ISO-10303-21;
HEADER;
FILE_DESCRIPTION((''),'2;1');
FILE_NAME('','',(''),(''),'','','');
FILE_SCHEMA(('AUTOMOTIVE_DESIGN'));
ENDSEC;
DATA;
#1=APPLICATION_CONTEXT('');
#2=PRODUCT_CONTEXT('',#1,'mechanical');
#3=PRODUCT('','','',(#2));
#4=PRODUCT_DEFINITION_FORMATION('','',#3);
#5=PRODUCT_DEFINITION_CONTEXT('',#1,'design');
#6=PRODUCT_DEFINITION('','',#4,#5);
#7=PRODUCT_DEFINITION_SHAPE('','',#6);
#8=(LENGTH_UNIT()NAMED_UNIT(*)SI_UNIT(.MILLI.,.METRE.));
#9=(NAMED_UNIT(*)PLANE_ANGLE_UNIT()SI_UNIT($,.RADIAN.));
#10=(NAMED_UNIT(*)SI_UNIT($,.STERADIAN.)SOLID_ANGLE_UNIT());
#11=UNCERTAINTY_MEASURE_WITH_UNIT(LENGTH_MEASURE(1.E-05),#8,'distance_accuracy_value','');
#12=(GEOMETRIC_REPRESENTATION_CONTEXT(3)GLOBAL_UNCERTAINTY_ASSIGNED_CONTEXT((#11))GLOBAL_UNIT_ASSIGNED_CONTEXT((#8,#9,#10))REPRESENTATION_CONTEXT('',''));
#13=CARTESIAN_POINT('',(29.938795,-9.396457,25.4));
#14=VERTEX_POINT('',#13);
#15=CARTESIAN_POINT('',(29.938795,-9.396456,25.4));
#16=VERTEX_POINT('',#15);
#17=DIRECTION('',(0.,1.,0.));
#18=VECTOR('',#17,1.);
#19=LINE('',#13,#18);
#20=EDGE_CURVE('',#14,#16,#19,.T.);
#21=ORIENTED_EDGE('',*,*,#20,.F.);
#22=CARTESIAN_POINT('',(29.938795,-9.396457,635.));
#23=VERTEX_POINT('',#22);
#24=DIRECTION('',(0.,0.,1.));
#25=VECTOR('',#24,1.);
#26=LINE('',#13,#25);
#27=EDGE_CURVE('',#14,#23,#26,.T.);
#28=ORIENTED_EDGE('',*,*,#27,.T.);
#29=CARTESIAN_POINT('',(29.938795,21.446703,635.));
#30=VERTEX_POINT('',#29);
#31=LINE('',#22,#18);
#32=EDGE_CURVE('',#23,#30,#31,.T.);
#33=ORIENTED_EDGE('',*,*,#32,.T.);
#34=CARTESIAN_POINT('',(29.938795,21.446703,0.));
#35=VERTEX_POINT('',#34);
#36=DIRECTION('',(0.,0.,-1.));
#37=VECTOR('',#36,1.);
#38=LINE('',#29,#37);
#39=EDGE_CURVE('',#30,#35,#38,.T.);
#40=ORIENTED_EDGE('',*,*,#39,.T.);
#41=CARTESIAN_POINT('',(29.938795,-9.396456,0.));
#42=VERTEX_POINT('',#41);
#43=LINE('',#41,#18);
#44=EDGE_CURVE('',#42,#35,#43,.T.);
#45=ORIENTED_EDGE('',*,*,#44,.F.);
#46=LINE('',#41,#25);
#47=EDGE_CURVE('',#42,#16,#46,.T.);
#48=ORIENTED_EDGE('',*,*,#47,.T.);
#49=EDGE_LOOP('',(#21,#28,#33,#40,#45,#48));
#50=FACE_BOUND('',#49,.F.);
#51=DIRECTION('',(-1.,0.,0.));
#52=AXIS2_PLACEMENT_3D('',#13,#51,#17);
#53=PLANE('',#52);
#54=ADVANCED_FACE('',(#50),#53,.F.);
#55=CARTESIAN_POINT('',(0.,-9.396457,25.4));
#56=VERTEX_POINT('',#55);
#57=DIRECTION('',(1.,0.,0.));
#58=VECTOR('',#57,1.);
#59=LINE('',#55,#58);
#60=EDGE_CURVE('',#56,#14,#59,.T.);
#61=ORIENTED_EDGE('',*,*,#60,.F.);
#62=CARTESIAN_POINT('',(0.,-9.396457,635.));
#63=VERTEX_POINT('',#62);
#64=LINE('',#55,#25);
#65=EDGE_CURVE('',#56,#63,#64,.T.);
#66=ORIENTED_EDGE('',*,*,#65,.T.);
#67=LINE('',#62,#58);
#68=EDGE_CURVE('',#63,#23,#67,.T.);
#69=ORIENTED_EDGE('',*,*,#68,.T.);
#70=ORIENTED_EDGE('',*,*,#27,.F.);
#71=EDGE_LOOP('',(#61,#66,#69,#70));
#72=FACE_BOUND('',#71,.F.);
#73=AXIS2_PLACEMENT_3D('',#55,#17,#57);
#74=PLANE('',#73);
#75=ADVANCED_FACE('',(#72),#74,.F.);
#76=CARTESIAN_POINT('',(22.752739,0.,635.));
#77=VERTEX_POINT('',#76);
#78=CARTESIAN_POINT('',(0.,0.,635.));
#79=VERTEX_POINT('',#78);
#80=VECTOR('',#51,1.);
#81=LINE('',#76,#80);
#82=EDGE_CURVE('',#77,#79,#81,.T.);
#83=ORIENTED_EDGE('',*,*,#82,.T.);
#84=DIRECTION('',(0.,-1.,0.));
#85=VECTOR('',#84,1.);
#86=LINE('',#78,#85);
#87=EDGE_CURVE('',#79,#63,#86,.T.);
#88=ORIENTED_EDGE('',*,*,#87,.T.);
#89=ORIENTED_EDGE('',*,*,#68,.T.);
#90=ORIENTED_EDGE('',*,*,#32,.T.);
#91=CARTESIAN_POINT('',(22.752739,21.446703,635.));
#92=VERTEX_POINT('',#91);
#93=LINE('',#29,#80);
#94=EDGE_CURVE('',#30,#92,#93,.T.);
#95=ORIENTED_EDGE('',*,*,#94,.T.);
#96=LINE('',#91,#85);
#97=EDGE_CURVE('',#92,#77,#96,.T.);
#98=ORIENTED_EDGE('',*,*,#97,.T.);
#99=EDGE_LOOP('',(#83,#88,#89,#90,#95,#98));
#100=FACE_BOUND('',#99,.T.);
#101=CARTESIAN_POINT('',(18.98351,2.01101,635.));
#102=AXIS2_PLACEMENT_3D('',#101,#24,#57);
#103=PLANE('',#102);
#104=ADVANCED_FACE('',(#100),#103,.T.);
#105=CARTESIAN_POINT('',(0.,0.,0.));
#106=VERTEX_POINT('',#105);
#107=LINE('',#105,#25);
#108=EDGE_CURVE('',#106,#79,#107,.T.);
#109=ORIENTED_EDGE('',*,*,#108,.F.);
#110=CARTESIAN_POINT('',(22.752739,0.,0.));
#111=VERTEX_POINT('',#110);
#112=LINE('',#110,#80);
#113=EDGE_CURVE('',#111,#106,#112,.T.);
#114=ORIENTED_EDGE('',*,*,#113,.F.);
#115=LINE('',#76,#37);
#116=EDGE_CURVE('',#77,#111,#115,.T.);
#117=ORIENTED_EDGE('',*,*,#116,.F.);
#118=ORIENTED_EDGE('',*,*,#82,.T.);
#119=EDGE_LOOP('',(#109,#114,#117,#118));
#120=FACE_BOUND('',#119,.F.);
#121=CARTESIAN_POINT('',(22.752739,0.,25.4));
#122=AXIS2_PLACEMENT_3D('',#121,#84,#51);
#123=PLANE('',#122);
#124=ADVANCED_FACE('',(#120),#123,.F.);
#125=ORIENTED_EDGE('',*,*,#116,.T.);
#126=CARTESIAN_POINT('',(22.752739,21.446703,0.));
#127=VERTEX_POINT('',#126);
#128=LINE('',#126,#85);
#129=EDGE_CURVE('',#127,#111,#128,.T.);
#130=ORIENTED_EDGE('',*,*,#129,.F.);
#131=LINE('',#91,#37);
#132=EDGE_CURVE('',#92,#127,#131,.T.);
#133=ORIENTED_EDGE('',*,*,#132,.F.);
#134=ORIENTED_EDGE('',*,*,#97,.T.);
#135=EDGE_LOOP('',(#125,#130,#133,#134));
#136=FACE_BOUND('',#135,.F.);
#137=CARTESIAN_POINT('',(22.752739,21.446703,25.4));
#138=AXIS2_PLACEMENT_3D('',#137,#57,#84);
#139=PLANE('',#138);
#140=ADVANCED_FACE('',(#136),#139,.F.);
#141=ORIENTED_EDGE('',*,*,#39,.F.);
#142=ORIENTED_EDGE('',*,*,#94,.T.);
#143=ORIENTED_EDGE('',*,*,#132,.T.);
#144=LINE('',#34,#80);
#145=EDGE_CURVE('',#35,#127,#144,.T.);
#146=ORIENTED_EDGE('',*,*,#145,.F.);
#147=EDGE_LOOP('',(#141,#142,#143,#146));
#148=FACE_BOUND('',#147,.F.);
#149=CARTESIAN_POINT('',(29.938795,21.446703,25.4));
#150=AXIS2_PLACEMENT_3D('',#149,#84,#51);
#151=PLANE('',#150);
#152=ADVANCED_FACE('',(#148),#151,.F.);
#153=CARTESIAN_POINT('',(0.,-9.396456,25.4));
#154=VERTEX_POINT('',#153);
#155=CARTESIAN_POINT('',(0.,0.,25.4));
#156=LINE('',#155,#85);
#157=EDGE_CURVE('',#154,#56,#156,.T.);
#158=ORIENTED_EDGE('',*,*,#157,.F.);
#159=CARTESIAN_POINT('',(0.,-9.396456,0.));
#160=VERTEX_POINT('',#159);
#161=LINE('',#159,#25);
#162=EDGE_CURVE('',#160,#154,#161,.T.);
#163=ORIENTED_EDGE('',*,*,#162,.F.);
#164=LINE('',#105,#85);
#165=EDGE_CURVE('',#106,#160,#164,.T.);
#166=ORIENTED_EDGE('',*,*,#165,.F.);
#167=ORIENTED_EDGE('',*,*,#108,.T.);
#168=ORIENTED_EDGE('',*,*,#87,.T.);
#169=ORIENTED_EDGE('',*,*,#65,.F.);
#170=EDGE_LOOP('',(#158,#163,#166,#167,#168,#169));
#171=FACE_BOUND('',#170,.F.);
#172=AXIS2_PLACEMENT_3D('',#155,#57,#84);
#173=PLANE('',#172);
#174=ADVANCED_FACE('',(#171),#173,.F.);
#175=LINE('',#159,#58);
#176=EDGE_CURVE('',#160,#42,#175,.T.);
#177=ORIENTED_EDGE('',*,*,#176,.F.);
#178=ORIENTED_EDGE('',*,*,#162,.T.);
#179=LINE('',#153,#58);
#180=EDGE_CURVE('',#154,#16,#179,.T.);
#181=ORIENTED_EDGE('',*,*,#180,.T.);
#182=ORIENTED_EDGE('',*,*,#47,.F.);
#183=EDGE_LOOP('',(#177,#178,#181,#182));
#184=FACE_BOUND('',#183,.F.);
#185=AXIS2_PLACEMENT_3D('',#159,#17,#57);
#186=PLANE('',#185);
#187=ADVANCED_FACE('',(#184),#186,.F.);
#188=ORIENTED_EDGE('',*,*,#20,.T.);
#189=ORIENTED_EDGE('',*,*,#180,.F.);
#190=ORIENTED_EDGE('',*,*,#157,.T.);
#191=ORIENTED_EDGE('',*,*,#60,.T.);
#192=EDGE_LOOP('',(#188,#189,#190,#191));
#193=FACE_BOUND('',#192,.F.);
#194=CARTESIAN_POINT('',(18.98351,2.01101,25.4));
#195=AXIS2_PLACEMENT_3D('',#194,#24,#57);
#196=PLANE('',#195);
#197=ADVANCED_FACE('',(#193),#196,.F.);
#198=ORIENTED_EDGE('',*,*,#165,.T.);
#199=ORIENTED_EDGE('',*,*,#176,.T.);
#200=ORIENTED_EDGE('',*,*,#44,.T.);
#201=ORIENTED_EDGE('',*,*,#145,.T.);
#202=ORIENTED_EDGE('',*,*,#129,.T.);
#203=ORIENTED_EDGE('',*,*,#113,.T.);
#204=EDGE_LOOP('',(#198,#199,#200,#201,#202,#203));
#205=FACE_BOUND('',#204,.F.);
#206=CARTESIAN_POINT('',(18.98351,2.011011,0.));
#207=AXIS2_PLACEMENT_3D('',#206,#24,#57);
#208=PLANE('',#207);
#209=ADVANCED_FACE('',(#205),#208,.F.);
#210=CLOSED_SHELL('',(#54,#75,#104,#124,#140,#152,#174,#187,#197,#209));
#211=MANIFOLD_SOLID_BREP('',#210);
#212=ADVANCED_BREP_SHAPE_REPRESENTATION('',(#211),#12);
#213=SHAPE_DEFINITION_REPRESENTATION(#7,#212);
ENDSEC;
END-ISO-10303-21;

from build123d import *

# Parameters (mm, degrees)
F1_DEPTH = 25.4
F2_DEPTH = 609.6


with BuildPart() as f1:
    # F0 (on Top) → F1 (new body)
    with BuildSketch(Plane.XY):
        Polygon((22.752739, 0), (0, 0), (0, -9.396456), (22.752739, -9.396456), (29.938795, -9.396456), (29.938795, 0), (29.938795, 21.446703), (22.752739, 21.446703), align=None)
    extrude(amount=F1_DEPTH)

    # F1_face (on face) → F2 (join)
    with BuildSketch(Plane(origin=(18.995925, 0.760052, 25.4), x_dir=(1, 0, 0), z_dir=(0, 0, 1))):
        Polygon((3.756814, -0.760052), (-18.995925, -0.760052), (-18.995925, -10.156509), (10.94287, -10.156509), (10.94287, 20.686651), (3.756814, 20.686651), align=None)
    extrude(amount=F2_DEPTH)


solid = f1.part
